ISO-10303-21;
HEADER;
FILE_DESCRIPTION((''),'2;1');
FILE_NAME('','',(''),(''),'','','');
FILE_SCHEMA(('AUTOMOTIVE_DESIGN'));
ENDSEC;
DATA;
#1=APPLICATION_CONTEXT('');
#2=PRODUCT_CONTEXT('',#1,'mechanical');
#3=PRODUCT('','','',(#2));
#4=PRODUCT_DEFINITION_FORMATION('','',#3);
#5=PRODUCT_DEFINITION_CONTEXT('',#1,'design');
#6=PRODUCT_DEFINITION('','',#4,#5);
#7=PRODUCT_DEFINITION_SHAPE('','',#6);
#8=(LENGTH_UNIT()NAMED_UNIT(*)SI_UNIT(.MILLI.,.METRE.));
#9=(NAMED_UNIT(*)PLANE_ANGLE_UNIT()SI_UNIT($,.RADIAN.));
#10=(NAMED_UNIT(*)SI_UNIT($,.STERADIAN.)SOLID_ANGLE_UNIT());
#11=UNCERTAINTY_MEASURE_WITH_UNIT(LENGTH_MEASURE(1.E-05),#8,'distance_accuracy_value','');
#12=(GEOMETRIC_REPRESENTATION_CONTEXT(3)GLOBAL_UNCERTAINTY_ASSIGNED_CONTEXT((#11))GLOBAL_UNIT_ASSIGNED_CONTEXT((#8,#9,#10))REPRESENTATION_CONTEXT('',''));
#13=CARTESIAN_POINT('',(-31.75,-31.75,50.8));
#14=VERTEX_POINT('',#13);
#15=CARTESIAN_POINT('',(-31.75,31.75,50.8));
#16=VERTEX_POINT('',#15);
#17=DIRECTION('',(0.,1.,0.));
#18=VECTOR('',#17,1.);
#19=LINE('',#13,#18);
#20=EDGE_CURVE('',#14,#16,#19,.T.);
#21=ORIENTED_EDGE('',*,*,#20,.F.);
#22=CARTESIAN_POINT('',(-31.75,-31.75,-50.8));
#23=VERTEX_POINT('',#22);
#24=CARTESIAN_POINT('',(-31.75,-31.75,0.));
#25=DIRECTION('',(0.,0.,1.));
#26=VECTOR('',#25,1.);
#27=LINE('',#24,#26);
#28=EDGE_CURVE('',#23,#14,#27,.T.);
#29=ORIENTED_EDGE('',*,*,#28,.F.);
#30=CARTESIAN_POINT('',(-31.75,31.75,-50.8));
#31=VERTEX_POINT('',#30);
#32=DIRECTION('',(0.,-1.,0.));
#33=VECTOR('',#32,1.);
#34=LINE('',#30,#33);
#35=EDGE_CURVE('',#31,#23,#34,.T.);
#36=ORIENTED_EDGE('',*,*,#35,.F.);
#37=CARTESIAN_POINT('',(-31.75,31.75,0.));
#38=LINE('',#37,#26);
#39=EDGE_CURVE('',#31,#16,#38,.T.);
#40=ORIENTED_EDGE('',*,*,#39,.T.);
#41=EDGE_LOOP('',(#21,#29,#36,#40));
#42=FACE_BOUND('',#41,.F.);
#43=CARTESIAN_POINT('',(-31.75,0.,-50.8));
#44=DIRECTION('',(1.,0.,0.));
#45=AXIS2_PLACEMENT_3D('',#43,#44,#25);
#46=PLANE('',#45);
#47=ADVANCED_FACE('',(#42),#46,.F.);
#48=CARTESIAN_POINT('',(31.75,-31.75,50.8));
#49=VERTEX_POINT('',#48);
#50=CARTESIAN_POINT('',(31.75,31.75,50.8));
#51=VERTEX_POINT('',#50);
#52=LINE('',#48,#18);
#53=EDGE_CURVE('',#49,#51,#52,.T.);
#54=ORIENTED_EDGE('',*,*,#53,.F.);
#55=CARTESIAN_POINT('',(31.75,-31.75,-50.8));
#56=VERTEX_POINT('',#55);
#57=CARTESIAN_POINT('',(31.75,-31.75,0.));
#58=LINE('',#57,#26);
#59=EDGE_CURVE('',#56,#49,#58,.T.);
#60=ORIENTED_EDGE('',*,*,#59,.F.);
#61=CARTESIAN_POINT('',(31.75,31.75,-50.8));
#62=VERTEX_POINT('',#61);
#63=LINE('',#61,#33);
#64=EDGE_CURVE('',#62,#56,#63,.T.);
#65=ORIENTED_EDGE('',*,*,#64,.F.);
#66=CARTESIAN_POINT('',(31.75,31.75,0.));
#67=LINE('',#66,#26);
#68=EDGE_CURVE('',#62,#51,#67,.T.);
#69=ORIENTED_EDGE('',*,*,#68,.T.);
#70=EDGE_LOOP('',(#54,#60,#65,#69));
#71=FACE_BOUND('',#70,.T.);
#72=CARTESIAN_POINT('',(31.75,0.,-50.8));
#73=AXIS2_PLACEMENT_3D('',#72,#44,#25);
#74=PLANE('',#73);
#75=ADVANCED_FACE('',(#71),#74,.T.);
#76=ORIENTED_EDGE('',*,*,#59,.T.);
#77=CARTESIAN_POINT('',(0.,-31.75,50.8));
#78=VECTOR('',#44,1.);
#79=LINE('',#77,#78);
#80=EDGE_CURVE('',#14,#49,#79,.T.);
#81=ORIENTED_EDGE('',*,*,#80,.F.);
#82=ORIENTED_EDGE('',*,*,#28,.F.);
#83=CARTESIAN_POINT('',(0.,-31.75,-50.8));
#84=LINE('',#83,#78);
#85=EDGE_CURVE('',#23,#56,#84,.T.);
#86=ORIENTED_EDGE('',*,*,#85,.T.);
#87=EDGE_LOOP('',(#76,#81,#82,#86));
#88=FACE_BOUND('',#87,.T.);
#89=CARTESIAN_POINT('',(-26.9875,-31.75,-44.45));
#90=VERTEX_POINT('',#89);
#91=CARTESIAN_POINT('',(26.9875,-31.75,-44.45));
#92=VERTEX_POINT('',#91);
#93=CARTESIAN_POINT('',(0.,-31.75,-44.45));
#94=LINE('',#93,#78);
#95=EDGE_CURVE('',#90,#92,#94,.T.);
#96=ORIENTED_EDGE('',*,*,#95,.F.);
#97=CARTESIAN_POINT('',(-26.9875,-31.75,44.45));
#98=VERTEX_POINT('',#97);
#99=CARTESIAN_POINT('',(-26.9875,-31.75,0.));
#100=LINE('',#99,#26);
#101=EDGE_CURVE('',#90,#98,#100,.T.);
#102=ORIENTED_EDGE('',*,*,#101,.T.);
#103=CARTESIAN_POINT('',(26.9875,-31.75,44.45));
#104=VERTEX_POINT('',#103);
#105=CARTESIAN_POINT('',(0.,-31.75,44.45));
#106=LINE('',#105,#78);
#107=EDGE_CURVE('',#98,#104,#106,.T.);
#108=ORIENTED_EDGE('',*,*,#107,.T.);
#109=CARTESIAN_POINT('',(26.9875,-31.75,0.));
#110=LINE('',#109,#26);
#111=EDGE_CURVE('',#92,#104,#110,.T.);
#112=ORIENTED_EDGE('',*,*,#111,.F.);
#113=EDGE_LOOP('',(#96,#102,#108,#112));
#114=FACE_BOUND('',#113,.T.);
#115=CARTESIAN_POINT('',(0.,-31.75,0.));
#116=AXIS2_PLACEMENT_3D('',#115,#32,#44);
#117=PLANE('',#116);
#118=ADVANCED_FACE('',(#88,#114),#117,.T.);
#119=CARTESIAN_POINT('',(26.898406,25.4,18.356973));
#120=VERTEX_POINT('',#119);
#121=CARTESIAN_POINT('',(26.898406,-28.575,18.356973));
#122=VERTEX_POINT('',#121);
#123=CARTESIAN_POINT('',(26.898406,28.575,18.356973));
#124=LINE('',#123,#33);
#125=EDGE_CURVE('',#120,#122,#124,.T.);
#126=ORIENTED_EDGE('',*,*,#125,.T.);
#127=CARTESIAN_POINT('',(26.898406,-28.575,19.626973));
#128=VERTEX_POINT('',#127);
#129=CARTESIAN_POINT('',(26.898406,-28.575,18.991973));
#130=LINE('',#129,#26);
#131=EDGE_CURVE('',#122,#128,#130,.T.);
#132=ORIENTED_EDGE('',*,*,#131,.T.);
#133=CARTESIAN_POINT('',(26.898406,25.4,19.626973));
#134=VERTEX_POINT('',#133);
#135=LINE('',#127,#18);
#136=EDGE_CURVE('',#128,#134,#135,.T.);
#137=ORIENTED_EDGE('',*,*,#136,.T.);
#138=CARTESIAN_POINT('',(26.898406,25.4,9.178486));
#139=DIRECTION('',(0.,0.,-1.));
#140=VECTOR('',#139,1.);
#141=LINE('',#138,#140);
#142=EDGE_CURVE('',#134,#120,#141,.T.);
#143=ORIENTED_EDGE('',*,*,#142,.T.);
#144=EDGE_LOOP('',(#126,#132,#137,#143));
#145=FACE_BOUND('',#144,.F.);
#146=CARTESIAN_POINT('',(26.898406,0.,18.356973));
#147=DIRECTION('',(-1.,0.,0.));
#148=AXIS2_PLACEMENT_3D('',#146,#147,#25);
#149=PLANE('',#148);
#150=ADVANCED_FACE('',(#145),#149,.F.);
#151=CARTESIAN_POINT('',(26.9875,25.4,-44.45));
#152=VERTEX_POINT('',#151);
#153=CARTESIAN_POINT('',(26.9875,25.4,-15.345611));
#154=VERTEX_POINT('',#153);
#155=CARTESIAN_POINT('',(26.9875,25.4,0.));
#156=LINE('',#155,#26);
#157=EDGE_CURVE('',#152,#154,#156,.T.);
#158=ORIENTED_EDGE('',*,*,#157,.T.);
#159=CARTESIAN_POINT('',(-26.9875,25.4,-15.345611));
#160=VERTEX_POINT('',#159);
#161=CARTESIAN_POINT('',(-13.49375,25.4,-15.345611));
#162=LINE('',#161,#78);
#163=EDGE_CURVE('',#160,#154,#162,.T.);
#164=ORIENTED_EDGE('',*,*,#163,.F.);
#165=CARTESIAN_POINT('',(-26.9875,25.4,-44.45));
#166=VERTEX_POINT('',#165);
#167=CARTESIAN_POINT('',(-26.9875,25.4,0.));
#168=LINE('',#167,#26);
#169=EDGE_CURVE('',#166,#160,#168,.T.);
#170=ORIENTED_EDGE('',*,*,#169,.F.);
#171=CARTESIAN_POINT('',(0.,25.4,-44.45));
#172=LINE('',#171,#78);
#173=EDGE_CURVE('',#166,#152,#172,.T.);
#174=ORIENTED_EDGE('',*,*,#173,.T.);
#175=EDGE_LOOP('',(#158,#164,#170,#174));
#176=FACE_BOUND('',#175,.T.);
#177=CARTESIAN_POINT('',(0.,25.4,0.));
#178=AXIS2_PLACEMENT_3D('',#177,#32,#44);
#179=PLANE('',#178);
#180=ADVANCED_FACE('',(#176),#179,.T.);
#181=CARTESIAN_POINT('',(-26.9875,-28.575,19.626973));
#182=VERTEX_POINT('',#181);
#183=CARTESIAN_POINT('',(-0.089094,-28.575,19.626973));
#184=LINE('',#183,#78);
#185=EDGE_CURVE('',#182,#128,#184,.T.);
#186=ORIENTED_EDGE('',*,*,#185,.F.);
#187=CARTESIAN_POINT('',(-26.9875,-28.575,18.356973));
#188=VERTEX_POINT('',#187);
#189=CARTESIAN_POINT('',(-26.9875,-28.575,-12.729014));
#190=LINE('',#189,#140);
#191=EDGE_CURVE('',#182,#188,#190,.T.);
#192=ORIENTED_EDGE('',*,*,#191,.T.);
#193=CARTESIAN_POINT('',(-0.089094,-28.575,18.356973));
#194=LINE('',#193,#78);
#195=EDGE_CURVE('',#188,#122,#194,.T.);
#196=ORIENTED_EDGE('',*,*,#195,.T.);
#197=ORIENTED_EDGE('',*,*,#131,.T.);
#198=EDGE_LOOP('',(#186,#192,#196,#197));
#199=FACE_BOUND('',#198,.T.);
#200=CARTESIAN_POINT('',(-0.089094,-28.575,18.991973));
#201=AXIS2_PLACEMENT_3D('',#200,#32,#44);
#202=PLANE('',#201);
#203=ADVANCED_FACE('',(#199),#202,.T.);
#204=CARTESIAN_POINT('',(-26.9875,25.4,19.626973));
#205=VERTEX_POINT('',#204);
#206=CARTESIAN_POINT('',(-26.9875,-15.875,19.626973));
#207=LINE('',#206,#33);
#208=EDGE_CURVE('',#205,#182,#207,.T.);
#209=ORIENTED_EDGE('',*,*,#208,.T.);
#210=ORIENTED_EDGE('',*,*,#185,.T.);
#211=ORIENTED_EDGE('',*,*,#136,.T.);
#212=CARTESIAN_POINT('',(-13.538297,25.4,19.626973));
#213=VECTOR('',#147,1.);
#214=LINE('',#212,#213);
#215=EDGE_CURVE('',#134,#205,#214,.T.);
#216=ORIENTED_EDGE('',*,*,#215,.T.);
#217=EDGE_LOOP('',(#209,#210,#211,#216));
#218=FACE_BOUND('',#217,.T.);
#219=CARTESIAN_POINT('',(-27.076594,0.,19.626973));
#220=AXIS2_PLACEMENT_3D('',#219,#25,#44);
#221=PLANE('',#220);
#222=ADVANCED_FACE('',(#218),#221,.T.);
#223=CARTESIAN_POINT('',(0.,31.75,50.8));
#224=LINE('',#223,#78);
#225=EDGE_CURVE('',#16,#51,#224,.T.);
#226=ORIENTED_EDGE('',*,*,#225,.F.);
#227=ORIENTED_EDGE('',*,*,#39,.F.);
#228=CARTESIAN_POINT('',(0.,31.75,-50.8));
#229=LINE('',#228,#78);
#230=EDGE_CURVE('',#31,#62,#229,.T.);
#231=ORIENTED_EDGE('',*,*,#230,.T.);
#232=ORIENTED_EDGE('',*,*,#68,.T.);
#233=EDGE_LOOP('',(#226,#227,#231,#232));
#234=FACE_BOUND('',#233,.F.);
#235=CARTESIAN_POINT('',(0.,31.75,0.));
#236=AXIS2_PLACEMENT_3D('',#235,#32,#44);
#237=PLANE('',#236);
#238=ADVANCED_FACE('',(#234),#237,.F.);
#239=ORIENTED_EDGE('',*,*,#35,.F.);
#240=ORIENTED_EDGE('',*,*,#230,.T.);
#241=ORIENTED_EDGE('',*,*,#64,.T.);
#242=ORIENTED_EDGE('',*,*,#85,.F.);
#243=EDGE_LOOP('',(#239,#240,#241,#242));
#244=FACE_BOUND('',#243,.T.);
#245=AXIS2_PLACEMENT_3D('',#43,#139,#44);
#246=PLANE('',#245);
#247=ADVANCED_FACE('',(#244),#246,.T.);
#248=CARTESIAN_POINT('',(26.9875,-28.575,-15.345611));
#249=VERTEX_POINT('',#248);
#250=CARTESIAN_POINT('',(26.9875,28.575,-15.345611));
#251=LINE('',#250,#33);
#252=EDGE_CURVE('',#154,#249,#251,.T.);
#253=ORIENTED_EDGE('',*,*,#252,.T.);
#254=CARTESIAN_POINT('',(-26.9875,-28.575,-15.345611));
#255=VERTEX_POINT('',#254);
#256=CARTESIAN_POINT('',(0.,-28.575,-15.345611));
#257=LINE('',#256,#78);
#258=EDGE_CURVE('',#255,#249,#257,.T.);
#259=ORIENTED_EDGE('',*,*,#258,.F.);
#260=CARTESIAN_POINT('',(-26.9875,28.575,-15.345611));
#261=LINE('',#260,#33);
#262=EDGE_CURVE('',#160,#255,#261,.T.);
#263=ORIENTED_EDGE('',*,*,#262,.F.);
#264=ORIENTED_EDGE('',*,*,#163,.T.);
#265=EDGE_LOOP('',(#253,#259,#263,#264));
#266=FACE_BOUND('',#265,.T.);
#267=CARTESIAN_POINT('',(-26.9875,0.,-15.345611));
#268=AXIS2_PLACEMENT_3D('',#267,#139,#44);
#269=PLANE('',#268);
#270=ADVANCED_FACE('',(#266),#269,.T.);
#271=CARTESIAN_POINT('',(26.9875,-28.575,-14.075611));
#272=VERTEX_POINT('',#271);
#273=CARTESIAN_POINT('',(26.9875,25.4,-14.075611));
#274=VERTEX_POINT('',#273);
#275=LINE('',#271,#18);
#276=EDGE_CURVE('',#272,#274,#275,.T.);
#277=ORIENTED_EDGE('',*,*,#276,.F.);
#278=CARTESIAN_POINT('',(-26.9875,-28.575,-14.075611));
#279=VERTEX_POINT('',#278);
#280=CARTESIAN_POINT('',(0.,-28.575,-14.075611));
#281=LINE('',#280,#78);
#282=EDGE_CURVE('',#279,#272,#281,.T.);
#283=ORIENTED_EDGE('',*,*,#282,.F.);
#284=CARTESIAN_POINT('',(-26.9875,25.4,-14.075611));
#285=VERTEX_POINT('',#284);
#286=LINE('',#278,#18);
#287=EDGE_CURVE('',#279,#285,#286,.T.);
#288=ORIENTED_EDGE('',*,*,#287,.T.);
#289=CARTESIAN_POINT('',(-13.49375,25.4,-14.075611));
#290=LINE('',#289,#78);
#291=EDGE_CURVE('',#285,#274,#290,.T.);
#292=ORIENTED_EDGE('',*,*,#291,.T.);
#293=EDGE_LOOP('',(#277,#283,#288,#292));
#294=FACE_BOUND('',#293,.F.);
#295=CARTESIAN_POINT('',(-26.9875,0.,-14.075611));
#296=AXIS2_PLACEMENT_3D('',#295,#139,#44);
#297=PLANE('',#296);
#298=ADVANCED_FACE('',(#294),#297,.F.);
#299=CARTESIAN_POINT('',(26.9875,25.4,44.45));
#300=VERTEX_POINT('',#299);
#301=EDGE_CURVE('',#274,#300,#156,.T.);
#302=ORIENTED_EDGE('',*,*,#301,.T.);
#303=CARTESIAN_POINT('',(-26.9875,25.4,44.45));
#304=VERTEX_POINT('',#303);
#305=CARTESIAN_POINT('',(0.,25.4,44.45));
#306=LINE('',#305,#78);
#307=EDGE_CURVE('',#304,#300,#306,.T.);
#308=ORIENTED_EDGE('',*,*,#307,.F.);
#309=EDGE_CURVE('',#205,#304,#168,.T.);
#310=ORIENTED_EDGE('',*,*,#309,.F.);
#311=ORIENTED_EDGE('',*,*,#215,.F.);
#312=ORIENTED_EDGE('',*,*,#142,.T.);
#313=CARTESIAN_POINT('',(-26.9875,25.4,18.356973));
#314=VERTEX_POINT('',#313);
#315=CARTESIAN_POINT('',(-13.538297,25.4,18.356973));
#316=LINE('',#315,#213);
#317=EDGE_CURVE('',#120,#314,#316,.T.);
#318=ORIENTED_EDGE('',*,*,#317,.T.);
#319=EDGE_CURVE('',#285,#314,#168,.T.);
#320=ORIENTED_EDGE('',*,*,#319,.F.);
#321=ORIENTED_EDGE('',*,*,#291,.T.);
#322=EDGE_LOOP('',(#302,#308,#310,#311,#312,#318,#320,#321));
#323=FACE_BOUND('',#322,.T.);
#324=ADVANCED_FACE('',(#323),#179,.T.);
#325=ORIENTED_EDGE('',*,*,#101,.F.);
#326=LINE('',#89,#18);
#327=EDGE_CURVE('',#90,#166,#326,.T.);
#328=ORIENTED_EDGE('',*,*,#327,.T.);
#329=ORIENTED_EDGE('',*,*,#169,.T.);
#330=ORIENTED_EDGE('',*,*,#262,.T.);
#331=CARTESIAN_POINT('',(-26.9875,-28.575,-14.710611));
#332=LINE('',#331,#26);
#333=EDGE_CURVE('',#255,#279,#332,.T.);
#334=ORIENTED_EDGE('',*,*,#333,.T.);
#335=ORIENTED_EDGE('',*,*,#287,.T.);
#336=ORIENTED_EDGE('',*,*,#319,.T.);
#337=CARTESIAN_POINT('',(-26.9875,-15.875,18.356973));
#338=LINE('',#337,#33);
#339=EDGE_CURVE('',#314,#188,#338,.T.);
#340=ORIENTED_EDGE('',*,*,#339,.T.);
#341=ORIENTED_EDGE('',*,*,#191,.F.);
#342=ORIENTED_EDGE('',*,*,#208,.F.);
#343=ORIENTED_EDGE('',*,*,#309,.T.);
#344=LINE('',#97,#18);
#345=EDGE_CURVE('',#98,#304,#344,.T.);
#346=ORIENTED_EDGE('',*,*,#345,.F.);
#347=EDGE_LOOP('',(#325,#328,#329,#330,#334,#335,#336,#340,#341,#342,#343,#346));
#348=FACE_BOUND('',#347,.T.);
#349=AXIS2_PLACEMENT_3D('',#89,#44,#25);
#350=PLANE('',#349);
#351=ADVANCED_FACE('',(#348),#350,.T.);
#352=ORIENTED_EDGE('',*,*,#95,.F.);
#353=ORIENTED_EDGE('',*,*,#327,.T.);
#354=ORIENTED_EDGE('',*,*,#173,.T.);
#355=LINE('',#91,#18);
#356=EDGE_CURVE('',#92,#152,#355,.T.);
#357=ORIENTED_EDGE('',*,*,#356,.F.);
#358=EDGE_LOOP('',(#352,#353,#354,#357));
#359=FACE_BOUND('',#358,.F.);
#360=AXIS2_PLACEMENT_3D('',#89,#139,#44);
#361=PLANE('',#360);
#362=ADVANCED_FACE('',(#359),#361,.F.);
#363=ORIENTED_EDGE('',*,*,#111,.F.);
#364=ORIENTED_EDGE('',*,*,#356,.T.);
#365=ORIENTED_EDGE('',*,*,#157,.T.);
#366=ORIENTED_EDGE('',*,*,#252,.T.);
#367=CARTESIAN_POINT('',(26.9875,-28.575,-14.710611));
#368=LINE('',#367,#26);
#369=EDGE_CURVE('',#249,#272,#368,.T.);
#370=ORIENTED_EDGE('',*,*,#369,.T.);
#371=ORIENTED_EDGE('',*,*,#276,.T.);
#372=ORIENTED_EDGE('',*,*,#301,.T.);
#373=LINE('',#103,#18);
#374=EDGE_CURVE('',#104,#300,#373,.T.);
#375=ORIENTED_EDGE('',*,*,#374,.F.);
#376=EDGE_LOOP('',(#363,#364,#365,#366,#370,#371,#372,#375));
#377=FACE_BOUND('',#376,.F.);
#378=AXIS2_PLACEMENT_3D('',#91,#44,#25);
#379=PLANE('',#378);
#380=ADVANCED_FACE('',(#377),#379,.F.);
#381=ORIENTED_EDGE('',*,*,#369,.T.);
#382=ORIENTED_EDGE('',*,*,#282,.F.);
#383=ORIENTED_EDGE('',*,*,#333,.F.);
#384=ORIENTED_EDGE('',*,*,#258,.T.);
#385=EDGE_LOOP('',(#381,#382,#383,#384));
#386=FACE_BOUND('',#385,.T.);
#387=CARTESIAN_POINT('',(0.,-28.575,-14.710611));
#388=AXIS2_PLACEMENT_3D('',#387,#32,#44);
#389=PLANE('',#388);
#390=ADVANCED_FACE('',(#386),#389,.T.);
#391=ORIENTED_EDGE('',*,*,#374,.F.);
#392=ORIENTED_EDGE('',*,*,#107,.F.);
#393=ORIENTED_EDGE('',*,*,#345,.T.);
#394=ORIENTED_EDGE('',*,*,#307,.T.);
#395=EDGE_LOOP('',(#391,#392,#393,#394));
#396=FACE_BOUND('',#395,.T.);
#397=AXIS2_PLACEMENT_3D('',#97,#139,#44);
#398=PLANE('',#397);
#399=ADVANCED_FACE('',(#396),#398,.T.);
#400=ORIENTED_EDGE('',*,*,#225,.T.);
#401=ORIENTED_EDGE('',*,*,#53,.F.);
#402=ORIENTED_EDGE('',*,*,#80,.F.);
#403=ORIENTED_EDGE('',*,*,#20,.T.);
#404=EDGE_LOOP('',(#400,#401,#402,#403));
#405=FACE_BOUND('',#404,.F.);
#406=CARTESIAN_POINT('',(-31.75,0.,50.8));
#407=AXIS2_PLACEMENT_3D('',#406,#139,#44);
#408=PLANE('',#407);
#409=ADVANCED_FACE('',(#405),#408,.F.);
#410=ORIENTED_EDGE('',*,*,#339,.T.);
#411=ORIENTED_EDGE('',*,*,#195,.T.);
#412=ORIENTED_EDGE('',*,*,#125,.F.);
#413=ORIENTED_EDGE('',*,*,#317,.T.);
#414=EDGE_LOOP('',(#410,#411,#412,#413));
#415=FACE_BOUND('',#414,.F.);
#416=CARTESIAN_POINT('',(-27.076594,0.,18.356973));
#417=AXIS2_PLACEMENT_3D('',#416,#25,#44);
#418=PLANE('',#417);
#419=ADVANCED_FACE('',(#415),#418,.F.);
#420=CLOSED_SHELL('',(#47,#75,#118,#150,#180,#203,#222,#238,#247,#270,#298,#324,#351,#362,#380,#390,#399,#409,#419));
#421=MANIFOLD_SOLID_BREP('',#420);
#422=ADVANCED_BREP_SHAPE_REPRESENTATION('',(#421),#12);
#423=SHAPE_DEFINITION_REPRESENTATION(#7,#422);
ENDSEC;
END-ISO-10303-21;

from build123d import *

# Parameters (mm, degrees)
F0_W     = 63.5
F0_H     = 101.6
F1_DEPTH = 31.75
F2_W     = 53.975
F2_H     = 88.9
F3_DEPTH = 57.15
F4_W     = 53.975
F4_H     = 1.27
F5_DEPTH = 28.575


with BuildPart() as f1:
    # F0 (on Front) → F1 (new body, symmetric)
    with BuildSketch(Plane.XZ):
        Rectangle(F0_W, F0_H)
    extrude(amount=F1_DEPTH, both=True)

    # F2 (on face) → F3 (cut)
    with BuildSketch(Plane.XZ.offset(31.75)):
        Rectangle(F2_W, F2_H)
    extrude(amount=-F3_DEPTH, mode=Mode.SUBTRACT)

    # F4 (on Front) → F5 (join, symmetric)
    with BuildSketch(Plane.XZ):
        with Locations((-0.089094, 18.991973)):
            Rectangle(F4_W, F4_H)
        with Locations((0, -14.710611)):
            Rectangle(F4_W, F4_H)
    extrude(amount=F5_DEPTH, both=True)


solid = f1.part
